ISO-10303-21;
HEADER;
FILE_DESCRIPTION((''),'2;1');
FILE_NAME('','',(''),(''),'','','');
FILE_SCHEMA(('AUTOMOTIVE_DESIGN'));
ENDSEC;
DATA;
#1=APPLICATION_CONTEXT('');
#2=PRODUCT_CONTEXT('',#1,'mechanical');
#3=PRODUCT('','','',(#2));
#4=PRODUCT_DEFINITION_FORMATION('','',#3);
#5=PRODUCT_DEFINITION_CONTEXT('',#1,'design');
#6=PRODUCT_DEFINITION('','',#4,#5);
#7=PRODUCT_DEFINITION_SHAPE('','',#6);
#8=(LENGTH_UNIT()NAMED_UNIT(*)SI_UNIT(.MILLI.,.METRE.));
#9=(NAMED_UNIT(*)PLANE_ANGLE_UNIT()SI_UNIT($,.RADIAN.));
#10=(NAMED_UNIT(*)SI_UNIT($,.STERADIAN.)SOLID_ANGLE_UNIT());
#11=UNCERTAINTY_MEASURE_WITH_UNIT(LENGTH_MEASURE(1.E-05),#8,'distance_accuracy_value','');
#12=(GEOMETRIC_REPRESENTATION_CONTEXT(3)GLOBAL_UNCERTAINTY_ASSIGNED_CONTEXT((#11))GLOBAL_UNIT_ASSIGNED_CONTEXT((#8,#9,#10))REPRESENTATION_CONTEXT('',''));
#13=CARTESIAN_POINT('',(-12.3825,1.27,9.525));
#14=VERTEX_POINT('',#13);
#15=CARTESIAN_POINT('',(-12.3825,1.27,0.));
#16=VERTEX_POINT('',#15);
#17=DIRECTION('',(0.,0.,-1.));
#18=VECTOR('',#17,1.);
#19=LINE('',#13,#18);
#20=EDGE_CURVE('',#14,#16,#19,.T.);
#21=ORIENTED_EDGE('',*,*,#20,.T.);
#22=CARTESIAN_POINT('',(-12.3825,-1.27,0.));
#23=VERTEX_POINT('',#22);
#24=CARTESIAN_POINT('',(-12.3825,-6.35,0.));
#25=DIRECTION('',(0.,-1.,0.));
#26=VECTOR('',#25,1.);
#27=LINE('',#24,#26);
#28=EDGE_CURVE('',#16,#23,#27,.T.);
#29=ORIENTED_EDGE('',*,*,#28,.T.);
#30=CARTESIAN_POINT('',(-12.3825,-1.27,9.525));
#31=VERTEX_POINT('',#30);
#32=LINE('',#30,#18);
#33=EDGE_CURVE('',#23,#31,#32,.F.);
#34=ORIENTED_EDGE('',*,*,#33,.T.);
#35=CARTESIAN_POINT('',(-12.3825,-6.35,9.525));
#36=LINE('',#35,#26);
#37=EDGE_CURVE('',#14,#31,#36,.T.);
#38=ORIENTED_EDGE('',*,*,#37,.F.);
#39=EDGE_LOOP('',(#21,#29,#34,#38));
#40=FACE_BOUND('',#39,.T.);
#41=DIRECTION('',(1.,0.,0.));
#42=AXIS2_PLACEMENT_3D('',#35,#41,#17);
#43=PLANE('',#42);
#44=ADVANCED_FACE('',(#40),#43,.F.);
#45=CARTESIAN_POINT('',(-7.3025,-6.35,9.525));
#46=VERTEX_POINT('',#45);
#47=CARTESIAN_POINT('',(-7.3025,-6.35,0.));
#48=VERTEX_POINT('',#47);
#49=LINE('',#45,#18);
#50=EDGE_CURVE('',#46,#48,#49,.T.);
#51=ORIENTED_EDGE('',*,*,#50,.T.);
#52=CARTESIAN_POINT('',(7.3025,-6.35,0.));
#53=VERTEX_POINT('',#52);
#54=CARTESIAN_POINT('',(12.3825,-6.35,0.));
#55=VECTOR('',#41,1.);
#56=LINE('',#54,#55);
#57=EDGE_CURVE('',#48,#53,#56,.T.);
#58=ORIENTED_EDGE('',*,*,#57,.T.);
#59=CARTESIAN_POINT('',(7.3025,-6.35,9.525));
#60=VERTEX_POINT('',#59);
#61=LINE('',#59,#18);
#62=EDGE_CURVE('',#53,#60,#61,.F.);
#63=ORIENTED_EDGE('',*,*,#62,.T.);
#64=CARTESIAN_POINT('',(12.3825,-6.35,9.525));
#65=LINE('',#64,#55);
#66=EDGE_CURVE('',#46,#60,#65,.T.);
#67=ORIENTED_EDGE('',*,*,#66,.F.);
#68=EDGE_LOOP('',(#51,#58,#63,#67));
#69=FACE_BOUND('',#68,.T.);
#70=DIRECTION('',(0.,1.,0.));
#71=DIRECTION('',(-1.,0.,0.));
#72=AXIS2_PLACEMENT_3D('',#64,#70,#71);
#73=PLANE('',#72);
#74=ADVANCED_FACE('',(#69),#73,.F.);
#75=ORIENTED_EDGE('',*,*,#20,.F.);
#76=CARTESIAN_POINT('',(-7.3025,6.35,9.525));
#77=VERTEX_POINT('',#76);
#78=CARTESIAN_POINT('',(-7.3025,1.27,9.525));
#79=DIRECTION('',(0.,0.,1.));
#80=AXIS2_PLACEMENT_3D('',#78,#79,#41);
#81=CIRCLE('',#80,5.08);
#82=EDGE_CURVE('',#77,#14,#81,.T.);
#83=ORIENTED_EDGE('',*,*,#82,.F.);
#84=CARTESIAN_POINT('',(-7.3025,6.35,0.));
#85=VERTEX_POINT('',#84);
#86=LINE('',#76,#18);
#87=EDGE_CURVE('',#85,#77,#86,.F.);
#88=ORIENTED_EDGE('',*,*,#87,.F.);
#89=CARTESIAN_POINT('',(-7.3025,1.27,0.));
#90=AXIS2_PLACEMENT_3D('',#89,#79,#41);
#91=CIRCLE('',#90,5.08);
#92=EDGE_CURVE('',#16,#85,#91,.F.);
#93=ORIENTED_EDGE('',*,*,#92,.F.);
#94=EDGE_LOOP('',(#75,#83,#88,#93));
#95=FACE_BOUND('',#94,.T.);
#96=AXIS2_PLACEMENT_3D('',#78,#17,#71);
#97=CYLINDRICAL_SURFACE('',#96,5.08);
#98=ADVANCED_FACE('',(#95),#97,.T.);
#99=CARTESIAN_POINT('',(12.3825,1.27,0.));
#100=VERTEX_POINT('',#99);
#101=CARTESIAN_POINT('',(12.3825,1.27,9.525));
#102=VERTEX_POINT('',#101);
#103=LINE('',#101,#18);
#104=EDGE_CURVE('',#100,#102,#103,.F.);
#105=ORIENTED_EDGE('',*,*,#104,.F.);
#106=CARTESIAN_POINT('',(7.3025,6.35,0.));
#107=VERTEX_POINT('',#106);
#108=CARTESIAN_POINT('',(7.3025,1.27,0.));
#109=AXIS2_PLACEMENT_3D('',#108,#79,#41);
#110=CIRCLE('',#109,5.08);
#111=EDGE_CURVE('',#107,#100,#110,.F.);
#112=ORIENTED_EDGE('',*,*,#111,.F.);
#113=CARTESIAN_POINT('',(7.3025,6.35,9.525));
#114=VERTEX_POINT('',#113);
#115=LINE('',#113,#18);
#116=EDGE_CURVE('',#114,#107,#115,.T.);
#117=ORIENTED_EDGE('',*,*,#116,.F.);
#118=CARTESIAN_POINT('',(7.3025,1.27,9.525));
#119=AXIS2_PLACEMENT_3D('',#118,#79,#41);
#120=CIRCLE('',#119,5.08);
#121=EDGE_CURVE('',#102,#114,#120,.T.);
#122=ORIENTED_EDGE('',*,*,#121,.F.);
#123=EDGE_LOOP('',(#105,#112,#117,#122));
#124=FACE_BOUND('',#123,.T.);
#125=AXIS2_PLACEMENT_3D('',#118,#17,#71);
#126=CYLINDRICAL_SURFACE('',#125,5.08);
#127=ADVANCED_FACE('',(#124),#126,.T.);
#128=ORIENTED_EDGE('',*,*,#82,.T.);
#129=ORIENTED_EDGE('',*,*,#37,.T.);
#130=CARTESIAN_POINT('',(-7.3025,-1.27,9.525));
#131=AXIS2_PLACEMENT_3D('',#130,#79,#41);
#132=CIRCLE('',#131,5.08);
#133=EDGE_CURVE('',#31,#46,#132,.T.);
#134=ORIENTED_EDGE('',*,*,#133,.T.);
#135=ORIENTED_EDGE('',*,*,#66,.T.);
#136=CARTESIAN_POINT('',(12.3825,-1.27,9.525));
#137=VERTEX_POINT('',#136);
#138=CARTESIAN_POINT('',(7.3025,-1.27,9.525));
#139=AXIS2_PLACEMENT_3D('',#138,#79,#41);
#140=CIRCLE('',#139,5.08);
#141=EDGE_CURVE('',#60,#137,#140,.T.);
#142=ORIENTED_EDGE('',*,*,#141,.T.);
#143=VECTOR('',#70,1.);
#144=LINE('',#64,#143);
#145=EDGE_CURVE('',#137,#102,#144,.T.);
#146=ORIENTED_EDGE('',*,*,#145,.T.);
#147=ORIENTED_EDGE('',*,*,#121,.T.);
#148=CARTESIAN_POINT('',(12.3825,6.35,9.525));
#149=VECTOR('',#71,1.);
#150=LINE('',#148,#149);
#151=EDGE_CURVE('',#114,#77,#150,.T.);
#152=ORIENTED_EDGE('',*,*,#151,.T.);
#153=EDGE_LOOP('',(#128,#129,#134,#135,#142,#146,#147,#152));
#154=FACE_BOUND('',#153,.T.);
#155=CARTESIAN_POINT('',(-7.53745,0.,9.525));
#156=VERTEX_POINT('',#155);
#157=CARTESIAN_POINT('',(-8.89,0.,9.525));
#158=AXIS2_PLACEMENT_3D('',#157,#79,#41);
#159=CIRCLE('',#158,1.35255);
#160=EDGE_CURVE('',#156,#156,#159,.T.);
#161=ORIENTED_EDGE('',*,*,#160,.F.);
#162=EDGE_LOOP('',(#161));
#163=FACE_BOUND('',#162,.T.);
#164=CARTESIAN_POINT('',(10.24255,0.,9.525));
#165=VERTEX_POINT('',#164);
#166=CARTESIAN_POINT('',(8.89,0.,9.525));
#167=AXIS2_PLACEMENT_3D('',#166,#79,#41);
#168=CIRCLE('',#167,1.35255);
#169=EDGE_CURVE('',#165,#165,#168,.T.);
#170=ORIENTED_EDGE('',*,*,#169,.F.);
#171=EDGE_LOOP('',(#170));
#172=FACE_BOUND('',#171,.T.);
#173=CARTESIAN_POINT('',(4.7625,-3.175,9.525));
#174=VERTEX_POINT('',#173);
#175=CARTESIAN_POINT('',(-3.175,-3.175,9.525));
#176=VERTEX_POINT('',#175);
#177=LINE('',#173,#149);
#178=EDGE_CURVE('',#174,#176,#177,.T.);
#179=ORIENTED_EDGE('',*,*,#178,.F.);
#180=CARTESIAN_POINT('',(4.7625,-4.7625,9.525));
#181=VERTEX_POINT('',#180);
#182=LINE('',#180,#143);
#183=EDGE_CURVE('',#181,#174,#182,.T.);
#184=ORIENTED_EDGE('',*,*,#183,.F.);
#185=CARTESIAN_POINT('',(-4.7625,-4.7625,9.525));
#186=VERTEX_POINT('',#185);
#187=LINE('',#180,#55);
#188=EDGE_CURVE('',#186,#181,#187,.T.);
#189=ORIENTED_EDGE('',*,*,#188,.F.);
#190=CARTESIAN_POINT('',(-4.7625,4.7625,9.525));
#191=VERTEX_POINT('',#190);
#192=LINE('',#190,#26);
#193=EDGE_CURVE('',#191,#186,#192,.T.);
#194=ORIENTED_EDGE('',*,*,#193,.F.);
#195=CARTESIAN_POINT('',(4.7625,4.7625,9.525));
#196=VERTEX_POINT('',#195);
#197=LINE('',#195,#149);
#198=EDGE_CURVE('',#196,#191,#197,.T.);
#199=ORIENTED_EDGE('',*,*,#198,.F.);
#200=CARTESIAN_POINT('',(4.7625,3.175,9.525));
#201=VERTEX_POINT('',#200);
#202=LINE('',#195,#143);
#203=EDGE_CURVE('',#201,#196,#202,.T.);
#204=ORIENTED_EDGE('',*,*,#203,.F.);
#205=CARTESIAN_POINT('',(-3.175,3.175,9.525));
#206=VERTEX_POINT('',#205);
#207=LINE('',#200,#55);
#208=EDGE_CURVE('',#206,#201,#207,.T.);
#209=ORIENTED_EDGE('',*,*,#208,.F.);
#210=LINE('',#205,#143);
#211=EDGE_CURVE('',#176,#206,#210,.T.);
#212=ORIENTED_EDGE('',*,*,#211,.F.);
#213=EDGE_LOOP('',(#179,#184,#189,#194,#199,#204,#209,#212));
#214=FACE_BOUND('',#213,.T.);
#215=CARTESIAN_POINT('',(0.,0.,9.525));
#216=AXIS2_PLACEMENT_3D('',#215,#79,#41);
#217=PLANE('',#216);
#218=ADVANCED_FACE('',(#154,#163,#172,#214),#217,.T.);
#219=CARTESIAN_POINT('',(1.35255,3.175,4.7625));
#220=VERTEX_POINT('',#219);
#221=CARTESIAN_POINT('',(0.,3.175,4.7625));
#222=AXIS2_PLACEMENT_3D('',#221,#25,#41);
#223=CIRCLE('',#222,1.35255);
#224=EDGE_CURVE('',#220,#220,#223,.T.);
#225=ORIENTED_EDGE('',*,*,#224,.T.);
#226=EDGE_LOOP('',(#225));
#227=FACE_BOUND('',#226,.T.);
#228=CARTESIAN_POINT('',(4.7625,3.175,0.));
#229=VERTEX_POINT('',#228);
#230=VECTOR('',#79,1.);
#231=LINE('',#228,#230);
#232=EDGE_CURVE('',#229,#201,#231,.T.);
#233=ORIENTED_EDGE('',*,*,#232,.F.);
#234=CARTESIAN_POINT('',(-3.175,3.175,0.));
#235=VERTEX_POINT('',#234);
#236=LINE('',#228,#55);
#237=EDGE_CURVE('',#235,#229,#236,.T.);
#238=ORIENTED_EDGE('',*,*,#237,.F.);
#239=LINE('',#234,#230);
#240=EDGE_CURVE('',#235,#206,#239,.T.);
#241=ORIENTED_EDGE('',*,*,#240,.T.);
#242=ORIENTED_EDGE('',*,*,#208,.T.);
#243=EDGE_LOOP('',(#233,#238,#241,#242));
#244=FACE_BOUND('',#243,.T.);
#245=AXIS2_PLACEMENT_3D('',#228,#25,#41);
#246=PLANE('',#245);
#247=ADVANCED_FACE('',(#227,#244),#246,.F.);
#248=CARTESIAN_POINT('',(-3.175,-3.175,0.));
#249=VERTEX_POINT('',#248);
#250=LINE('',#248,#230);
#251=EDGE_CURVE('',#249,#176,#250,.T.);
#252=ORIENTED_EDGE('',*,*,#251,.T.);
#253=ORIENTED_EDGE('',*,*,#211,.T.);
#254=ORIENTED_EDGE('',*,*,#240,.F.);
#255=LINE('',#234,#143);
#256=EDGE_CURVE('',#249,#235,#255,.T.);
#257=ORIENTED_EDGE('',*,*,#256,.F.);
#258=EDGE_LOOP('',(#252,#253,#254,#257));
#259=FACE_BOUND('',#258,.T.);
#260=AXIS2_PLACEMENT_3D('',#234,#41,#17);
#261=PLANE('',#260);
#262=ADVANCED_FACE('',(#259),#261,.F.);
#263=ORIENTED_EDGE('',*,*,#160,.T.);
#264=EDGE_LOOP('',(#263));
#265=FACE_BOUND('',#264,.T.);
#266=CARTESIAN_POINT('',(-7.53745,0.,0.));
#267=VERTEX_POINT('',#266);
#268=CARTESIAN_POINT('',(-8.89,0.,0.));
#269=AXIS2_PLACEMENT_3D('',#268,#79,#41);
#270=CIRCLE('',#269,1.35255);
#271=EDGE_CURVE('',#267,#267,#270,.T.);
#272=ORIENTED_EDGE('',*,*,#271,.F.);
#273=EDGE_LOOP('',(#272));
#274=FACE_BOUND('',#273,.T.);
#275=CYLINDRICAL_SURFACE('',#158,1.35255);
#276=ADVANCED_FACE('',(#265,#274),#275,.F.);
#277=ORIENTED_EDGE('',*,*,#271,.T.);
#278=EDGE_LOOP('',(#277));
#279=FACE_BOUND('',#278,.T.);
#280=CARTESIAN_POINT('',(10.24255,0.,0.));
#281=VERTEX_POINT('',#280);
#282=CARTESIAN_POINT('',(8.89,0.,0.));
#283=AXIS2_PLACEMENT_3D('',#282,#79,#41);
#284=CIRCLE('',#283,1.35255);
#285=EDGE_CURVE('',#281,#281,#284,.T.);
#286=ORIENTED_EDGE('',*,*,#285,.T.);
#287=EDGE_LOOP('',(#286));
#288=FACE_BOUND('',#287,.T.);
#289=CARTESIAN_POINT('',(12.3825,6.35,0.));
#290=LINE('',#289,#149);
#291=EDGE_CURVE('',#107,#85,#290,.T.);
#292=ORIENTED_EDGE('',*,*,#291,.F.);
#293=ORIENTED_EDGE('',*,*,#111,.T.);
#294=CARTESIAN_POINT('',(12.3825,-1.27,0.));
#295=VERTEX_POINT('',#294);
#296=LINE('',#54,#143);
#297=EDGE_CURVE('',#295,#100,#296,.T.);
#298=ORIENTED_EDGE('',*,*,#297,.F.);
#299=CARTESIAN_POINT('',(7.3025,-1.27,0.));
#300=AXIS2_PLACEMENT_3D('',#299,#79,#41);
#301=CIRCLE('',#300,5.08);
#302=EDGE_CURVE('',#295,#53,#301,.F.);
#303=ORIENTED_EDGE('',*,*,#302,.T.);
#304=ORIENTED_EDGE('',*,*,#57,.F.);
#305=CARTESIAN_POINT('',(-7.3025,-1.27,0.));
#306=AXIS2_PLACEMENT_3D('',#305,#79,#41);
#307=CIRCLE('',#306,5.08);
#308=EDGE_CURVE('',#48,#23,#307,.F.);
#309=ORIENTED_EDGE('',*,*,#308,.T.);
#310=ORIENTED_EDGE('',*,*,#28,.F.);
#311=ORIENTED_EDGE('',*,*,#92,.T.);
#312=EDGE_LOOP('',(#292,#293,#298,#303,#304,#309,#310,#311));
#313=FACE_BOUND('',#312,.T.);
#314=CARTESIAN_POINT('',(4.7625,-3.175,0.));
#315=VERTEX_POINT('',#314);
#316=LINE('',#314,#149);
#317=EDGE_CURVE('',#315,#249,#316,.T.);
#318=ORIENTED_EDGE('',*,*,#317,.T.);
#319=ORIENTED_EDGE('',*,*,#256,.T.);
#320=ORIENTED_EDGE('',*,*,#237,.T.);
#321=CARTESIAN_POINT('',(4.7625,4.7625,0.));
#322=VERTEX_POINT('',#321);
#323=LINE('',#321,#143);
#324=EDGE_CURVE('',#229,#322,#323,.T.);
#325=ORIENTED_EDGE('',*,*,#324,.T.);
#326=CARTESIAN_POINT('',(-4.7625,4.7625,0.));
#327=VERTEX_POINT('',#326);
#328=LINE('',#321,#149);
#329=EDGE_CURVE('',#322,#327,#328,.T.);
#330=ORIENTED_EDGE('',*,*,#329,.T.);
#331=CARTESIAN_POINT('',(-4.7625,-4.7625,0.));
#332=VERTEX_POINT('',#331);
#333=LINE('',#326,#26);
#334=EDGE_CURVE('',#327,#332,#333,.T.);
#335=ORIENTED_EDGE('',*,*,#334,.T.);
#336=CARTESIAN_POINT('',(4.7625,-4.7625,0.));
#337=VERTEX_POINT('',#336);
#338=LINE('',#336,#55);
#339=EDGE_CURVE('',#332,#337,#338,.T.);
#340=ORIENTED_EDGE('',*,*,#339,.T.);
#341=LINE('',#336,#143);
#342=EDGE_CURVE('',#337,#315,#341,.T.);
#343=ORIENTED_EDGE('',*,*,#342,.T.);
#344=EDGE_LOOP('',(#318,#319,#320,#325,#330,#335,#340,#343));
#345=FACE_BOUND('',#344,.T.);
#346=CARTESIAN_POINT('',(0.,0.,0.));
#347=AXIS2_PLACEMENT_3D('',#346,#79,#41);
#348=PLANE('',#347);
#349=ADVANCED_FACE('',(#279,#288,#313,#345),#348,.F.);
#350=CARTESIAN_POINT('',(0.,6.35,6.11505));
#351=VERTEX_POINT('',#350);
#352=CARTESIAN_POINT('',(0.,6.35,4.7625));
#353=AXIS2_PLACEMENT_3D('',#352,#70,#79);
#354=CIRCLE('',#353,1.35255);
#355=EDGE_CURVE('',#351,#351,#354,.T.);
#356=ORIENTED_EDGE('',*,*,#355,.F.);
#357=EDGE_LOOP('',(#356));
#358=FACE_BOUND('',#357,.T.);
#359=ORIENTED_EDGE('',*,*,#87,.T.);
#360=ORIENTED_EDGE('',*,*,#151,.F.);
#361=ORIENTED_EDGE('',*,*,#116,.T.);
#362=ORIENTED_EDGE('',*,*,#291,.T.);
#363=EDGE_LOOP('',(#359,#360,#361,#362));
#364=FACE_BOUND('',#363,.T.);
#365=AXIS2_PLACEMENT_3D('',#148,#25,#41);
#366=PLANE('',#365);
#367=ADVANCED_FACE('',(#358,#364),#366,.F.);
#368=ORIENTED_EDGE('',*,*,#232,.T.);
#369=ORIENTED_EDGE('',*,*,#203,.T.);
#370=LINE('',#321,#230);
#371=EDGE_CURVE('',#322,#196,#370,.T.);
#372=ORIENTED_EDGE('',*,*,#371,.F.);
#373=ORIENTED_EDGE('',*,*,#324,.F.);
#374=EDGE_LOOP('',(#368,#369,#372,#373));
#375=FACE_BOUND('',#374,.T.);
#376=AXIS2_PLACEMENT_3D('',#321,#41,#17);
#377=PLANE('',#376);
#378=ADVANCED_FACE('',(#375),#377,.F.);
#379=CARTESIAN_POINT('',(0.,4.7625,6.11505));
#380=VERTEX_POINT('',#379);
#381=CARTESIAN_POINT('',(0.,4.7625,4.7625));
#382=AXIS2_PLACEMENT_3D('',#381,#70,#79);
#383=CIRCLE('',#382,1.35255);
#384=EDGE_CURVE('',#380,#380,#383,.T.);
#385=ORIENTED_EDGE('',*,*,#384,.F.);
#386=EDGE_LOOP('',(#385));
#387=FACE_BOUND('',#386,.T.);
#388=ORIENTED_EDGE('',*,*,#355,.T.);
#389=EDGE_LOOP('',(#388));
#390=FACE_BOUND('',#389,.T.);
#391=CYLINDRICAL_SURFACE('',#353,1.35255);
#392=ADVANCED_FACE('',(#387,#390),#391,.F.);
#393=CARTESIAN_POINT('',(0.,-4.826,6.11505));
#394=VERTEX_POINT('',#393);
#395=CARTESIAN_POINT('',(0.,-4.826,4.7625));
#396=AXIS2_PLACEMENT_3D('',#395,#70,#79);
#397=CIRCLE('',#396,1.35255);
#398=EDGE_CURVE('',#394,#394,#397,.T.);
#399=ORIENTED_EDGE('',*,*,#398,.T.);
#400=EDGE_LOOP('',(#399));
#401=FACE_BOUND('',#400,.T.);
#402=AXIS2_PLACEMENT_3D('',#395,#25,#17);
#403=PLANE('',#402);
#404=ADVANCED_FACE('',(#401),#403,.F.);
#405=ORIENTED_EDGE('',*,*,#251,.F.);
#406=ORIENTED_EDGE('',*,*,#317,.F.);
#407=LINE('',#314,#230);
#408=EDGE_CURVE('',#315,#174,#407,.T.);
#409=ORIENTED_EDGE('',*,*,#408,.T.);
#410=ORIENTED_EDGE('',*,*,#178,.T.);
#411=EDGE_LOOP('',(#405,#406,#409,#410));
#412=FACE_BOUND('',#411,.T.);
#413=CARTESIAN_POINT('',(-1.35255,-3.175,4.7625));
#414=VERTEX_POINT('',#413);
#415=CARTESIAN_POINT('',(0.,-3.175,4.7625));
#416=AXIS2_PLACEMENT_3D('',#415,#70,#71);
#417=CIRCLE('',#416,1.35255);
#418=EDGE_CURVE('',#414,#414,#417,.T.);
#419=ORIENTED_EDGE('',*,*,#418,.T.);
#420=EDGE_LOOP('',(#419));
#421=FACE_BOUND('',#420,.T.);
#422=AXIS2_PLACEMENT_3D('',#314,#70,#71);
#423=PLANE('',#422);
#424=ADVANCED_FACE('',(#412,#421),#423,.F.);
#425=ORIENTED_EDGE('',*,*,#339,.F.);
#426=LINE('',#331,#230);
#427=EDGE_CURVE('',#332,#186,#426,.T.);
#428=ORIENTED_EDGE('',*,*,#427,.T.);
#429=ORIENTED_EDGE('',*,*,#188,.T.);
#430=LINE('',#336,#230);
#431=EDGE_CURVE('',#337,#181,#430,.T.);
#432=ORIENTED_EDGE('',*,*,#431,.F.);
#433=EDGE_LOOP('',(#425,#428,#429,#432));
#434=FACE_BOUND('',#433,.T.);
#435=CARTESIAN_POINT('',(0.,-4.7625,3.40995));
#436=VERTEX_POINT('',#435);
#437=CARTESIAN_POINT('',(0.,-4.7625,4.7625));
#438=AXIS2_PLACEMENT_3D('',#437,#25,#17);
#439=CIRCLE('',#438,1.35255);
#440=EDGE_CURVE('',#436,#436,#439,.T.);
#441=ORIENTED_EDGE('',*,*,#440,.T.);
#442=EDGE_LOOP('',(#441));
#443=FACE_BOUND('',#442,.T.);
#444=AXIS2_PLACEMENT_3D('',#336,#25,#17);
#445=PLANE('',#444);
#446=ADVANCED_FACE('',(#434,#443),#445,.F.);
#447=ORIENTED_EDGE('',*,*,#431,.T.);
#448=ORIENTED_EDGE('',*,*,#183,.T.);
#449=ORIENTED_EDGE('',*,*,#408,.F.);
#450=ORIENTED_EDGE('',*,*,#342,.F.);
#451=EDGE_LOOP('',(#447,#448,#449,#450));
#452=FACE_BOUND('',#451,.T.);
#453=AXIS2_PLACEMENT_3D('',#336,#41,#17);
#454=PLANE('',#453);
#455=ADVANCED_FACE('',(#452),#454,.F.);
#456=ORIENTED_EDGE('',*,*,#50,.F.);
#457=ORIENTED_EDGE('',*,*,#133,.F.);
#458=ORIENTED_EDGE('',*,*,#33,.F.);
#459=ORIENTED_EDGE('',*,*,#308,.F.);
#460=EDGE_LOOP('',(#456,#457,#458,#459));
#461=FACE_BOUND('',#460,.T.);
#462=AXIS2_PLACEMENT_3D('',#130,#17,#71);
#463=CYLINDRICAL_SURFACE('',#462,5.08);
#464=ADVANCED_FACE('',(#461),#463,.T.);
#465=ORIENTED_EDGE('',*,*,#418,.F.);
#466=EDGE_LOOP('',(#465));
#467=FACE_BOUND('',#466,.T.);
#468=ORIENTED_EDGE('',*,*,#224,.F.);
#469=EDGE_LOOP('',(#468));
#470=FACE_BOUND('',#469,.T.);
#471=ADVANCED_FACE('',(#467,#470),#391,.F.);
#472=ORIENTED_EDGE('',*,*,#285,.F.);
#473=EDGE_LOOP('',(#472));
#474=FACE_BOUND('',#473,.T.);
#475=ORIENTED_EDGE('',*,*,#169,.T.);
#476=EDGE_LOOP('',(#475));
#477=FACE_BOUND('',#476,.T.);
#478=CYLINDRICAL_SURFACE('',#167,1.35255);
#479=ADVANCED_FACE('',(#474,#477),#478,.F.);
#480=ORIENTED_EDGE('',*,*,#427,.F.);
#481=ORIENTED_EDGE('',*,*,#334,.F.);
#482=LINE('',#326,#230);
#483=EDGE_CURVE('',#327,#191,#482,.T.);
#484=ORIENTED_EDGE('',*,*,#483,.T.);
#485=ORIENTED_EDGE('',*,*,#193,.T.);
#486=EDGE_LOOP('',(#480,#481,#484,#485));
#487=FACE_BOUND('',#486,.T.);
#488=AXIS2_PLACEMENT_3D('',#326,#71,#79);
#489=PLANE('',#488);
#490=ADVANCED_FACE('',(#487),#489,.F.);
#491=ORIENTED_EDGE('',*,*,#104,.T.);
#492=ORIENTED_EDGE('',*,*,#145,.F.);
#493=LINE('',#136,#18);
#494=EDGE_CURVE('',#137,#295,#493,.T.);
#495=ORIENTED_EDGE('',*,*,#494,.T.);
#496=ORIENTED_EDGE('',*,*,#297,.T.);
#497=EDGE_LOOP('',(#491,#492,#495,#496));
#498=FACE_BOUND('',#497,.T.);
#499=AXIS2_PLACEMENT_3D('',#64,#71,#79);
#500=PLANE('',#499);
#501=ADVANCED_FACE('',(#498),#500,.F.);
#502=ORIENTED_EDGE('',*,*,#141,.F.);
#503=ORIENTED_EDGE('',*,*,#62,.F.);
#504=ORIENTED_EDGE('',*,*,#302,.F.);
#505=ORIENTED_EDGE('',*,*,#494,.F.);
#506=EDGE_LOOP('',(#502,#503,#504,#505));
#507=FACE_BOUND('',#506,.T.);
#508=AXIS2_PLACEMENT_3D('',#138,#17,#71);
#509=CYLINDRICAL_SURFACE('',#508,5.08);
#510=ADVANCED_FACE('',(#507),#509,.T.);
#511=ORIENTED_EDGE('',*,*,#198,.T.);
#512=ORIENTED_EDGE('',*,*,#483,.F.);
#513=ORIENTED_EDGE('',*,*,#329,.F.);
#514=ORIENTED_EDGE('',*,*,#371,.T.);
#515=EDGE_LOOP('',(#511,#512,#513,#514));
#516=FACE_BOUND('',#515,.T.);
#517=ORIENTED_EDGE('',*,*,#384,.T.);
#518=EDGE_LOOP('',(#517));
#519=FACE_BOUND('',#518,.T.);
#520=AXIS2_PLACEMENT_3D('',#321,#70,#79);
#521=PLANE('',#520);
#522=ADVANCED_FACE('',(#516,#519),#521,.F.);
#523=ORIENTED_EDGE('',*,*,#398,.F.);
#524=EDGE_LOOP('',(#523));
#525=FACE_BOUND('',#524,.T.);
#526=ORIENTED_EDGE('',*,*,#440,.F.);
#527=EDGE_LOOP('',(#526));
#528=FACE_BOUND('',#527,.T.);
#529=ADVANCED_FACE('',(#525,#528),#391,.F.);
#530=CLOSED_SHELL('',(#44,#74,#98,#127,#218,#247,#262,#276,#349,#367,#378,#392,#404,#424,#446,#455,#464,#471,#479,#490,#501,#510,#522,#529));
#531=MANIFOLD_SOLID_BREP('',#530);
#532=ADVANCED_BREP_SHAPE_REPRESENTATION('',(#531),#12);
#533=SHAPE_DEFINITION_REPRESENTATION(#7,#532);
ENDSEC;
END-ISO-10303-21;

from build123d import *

# Parameters (mm, degrees)
SKETCH1_W                 = 24.765
SKETCH1_H                 = 12.7
BOSS_EXTRUDE1_DEPTH       = 9.525
CUT_EXTRUDE1_DEPTH        = 10.525
FILLET1_R                 = 5.08
F_6_32_TAPPED_HOLE2_D     = 2.7051
F_6_32_TAPPED_HOLE1_D     = 2.7051
F_6_32_TAPPED_HOLE1_DEPTH = 11.176


with BuildPart() as part:
    # Sketch1 → Boss-Extrude1 (new body)
    with BuildSketch(Plane.XY):
        Rectangle(SKETCH1_W, SKETCH1_H)
    extrude(amount=BOSS_EXTRUDE1_DEPTH)

    # Sketch2 → Cut-Extrude1 (cut, through all)
    with BuildSketch(Plane.XY.offset(9.525)):
        Polygon((4.7625, 4.7625), (-4.7625, 4.7625), (-4.7625, -4.7625), (4.7625, -4.7625), (4.7625, -3.175), (-3.175, -3.175), (-3.175, 3.175), (4.7625, 3.175), align=None)
    extrude(amount=-CUT_EXTRUDE1_DEPTH, mode=Mode.SUBTRACT)

    # Fillet1
    fillet1_edges = [part.edges().sort_by_distance(p)[0] for p in [
        (-12.3825, 6.35, 4.7625),
        (12.3825, 6.35, 4.7625),
        (12.3825, -6.35, 4.7625),
        (-12.3825, -6.35, 4.7625),
    ]]
    fillet(fillet1_edges, radius=FILLET1_R)

    # #6-32 Tapped Hole2 (through all)
    with Locations(Plane.XY.offset(9.525)):
        with Locations((-8.89, 0), (8.89, 0)):
            Hole(F_6_32_TAPPED_HOLE2_D / 2)

    # #6-32 Tapped Hole1
    with Locations(Plane(origin=(0, 6.35, 0), x_dir=(1, 0, 0), z_dir=(0, 1, 0))):
        with Locations((0, -4.7625)):
            Hole(F_6_32_TAPPED_HOLE1_D / 2, depth=F_6_32_TAPPED_HOLE1_DEPTH)


solid = part.part
